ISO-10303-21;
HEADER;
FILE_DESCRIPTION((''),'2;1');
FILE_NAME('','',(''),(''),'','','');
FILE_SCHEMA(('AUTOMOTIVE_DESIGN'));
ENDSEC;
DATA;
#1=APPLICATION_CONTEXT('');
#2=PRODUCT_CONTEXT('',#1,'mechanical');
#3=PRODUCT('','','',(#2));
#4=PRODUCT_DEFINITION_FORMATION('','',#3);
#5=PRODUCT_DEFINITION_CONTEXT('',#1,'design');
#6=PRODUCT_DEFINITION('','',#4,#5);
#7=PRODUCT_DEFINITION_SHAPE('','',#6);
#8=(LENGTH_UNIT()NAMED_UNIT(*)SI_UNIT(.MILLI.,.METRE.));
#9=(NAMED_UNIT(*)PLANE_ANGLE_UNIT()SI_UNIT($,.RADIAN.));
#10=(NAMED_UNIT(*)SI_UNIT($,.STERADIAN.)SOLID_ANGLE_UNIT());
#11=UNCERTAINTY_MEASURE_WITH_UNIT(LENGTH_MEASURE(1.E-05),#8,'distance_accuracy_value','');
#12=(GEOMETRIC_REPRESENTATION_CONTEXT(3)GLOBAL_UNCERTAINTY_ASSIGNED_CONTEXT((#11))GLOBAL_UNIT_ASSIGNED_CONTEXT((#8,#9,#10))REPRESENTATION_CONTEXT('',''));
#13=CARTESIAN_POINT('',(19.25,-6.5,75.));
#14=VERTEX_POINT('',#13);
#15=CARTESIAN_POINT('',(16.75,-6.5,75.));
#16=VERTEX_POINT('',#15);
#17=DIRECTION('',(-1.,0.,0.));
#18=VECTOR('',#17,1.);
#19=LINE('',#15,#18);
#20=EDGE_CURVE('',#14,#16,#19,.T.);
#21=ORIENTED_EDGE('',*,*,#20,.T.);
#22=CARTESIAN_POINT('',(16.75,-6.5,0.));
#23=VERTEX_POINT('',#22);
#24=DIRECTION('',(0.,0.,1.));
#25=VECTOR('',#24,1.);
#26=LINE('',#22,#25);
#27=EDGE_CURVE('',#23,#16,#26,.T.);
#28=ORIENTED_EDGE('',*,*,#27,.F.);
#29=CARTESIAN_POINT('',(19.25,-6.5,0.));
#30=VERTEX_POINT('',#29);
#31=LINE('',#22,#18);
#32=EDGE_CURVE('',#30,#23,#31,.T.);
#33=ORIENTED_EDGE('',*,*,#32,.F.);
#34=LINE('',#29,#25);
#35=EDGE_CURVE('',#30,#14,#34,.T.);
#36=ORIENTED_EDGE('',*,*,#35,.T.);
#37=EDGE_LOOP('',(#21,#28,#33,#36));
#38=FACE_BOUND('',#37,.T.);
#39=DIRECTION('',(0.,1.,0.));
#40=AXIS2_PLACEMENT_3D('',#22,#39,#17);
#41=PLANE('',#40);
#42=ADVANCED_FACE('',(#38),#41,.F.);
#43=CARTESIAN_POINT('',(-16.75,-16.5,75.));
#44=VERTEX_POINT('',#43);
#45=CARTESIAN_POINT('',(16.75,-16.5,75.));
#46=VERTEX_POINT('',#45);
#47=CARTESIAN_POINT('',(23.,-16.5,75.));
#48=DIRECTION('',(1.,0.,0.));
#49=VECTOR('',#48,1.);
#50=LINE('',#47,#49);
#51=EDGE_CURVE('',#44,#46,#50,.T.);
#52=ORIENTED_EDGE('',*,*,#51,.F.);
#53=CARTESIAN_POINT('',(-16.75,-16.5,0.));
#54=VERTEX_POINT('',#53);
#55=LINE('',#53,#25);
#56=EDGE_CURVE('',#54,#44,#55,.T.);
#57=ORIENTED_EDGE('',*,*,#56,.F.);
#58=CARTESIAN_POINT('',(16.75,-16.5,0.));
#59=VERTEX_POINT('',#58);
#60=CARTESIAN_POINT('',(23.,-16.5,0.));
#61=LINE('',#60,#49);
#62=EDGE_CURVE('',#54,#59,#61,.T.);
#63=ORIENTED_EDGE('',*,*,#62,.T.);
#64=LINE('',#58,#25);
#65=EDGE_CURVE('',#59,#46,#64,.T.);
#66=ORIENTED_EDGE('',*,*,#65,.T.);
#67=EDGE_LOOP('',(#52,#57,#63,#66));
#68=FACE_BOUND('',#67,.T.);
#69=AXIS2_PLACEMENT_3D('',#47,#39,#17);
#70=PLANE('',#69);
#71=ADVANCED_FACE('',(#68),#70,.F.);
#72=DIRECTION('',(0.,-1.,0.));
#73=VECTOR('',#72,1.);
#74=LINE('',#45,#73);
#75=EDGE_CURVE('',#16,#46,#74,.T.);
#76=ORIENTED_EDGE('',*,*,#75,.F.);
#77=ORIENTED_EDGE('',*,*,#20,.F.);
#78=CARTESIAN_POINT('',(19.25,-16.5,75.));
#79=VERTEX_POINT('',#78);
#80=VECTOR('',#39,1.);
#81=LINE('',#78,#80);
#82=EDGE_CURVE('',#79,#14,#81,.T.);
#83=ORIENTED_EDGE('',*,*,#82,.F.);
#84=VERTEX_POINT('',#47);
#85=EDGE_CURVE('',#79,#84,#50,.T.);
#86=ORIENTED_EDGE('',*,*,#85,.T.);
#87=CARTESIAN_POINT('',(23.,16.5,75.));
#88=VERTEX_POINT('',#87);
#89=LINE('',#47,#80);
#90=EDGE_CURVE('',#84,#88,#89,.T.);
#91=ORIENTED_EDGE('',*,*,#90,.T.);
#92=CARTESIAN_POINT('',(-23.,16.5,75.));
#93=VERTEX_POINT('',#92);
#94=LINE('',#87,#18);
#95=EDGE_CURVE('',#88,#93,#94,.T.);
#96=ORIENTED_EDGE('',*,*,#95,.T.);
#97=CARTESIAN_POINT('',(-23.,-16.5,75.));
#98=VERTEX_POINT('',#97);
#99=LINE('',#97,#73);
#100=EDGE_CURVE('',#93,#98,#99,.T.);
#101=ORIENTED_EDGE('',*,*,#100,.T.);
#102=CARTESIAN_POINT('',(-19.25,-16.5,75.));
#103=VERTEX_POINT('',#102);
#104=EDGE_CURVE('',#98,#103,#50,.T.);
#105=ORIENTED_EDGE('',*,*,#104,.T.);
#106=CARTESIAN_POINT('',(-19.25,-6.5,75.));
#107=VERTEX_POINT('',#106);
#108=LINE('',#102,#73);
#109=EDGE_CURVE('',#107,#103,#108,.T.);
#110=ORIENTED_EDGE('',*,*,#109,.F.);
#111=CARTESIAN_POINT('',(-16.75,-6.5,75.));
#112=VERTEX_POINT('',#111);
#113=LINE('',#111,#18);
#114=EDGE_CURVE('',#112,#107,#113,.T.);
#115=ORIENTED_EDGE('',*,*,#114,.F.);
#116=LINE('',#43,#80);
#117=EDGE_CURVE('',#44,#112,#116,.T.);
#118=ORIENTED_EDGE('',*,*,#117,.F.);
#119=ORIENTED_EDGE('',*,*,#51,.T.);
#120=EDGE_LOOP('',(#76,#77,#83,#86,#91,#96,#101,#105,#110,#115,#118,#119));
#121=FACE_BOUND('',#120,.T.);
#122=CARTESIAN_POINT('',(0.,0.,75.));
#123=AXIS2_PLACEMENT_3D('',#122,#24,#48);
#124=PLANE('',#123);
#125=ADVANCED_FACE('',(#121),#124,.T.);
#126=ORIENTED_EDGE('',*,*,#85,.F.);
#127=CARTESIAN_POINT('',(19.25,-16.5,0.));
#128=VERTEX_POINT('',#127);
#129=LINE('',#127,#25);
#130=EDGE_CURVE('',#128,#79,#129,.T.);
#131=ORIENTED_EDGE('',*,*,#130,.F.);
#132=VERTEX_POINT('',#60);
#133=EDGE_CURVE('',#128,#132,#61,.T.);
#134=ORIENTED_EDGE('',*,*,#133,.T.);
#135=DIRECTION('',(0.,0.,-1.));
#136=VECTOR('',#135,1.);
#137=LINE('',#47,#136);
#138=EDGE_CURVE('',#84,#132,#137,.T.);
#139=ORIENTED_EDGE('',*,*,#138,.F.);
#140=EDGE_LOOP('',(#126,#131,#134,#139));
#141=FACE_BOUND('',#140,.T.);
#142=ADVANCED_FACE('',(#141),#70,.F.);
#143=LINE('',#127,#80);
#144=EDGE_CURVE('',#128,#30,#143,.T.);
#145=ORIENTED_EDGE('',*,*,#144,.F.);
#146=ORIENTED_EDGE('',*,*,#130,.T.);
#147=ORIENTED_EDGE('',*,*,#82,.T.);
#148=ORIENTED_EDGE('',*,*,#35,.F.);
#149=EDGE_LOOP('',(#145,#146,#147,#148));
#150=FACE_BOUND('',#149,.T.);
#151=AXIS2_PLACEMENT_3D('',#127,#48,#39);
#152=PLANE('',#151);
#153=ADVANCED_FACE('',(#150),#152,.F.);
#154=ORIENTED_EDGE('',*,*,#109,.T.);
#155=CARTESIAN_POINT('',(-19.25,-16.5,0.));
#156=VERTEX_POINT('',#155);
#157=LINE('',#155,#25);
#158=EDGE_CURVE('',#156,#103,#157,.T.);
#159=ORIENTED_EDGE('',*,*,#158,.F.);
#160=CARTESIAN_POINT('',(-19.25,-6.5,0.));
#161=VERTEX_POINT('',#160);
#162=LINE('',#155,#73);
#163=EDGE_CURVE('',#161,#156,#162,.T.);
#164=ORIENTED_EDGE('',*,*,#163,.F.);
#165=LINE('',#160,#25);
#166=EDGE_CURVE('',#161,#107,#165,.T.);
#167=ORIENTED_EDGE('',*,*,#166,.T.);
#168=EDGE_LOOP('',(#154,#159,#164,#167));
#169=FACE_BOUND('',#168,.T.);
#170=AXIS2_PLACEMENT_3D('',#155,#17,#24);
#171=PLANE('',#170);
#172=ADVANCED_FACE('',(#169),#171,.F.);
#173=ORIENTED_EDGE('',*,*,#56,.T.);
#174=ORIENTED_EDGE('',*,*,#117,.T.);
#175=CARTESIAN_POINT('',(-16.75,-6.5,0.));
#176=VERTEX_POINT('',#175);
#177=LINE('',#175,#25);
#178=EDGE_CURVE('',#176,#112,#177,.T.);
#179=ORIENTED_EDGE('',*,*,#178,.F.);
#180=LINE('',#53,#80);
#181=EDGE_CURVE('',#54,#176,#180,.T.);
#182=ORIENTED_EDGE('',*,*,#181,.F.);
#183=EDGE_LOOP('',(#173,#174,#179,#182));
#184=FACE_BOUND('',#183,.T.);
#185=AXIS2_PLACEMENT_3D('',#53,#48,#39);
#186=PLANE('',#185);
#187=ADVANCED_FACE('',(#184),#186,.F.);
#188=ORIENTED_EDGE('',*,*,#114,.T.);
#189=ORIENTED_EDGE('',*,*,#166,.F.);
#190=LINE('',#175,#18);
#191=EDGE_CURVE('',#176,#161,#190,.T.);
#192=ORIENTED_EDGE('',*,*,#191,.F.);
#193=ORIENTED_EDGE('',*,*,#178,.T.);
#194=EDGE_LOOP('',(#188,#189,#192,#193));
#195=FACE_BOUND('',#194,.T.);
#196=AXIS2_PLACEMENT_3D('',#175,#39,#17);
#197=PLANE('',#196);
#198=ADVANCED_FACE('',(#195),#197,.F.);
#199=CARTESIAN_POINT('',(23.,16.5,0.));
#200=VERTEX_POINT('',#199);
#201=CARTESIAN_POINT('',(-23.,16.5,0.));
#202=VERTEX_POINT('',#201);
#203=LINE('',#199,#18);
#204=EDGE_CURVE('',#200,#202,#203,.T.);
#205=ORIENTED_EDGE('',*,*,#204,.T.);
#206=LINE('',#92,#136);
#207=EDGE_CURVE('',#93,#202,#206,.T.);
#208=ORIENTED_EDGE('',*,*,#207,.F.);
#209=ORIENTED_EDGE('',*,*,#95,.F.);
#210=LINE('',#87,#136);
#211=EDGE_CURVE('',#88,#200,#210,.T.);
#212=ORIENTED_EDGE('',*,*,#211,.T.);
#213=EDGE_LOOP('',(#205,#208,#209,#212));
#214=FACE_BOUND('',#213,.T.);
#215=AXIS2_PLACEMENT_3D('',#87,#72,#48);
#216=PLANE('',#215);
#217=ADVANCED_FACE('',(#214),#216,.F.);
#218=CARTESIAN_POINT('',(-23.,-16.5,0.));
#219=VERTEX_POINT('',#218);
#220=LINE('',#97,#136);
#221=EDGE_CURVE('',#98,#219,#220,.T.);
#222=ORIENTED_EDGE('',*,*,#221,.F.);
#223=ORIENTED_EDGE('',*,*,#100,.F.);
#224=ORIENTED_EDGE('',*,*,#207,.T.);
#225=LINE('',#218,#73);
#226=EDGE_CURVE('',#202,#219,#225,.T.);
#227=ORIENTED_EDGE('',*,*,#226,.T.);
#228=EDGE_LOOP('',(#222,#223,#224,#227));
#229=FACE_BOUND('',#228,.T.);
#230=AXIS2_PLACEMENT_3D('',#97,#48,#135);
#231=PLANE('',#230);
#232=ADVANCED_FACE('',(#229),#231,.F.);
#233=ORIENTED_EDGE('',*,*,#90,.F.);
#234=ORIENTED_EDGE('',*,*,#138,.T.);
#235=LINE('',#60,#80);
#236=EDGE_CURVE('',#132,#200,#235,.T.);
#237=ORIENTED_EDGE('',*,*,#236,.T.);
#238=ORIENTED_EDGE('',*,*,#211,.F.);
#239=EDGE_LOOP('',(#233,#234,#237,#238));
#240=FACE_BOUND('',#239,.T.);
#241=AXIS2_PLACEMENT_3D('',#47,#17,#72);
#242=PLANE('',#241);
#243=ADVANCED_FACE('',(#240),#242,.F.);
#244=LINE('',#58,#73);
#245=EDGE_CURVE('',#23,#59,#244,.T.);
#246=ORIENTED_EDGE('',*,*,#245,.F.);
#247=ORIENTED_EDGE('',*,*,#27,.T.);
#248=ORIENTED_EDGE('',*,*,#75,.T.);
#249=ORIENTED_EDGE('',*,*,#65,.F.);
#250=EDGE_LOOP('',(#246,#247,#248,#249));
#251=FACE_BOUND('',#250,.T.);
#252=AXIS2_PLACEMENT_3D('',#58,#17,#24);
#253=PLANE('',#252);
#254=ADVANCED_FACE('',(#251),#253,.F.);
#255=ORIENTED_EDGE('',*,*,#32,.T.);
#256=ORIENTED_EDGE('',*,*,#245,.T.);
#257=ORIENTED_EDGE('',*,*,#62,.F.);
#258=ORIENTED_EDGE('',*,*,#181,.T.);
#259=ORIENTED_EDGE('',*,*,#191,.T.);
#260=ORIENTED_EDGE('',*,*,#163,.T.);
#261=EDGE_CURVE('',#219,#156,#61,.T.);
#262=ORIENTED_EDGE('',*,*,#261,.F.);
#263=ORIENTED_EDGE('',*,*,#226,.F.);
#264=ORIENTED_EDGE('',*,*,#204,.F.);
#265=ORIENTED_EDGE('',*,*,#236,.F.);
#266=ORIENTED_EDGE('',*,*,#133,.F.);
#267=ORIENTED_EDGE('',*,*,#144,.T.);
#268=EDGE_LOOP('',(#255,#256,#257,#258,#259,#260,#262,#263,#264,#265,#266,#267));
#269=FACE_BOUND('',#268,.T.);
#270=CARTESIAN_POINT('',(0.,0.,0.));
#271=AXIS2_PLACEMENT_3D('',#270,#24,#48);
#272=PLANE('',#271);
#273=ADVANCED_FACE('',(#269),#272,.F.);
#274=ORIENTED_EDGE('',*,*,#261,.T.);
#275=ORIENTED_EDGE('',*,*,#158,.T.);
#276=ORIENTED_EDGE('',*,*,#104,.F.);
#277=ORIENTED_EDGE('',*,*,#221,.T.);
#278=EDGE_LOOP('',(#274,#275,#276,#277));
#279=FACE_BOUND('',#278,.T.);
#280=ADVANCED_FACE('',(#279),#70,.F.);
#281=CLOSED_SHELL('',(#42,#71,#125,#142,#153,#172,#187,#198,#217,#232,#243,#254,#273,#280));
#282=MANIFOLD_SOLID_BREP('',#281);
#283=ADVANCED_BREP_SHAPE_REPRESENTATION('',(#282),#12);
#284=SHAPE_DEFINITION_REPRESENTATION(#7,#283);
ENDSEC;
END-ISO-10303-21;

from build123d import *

# Parameters (mm, degrees)
SKIZZE1_W                       = 46
SKIZZE1_H                       = 33
AUFSATZ_LINEAR_AUSTRAGEN1_DEPTH = 75
SKIZZE2_W                       = 2.5
SKIZZE2_H                       = 10
SCHNITT_LINEAR_AUSTRAGEN1_DEPTH = 81.163894616


with BuildPart() as part:
    # Skizze1 → Aufsatz-Linear austragen1 (new body)
    with BuildSketch(Plane.XY):
        Rectangle(SKIZZE1_W, SKIZZE1_H)
    extrude(amount=AUFSATZ_LINEAR_AUSTRAGEN1_DEPTH)

    # Skizze2 → Schnitt-Linear austragen1 (cut, through all)
    with BuildSketch(Plane.XY.offset(75)):
        with Locations((-18, -11.5)):
            Rectangle(SKIZZE2_W, SKIZZE2_H)
        with Locations((18, -11.5)):
            Rectangle(SKIZZE2_W, SKIZZE2_H)
    extrude(amount=-SCHNITT_LINEAR_AUSTRAGEN1_DEPTH, mode=Mode.SUBTRACT)


solid = part.part
